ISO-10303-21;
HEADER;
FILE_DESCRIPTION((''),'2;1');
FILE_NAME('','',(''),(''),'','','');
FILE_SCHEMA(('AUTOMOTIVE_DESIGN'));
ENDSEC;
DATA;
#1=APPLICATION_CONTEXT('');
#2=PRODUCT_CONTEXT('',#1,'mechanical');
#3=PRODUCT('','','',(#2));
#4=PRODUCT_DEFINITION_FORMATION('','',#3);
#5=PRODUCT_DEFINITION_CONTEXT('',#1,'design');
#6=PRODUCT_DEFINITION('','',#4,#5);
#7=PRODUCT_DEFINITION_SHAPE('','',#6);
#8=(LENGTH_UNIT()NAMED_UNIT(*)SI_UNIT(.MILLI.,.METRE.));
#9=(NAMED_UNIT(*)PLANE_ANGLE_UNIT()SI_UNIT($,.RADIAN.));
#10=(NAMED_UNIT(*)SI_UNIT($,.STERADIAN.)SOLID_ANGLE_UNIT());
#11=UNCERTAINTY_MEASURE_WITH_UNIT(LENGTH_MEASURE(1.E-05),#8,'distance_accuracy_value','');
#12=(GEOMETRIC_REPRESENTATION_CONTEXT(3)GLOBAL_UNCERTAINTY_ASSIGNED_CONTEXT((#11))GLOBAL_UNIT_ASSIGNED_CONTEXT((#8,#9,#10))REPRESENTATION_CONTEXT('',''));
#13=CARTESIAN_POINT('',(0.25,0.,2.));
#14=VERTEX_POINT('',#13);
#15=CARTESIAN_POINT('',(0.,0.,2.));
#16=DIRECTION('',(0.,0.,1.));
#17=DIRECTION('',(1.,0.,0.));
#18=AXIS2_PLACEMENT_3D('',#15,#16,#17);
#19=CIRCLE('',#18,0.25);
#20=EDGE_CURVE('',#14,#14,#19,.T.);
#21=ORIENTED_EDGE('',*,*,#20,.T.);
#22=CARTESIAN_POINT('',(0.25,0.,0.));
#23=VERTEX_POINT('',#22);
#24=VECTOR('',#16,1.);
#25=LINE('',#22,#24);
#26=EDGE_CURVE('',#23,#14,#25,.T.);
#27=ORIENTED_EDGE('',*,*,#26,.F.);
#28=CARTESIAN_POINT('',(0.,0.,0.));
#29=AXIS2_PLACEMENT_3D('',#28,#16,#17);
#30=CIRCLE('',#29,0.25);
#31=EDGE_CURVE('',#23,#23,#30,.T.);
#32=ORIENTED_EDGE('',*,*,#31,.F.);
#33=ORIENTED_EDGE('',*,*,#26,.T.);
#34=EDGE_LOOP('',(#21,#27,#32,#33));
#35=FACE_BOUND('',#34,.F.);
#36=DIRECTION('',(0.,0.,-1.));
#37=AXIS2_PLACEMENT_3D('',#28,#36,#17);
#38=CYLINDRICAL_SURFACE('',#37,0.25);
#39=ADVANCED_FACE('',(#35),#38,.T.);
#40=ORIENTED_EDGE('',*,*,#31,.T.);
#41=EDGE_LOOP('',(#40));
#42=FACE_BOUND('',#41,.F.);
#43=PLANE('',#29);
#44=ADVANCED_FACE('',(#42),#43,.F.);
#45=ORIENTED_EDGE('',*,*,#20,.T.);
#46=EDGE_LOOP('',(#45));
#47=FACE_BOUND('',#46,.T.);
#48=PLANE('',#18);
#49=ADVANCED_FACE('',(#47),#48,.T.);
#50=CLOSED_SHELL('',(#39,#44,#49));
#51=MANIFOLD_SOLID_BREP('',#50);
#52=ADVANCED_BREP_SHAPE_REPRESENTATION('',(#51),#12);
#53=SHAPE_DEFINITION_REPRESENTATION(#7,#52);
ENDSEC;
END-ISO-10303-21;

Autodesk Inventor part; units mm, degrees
ref_plane "YZ Plane" through (0, 0, 0) normal (1, 0, 0) x (0, 1, 0)
ref_plane "XZ Plane" through (0, 0, 0) normal (0, 1, 0) x (-1, 0, 0)
ref_plane "XY Plane" through (0, 0, 0) normal (0, 0, 1) x (1, 0, 0)
sketch "Skizze1" plane through (0, 0, 0) normal (0, 0, 1) x (1, 0, 0)
  circle A0 centre (0, 0) radius 0.25
  dimension "d0" = 0.5
extrude "Extrusion1" add sketch "Skizze1" along normal blind 2
properties part number "Transition_1_2"
